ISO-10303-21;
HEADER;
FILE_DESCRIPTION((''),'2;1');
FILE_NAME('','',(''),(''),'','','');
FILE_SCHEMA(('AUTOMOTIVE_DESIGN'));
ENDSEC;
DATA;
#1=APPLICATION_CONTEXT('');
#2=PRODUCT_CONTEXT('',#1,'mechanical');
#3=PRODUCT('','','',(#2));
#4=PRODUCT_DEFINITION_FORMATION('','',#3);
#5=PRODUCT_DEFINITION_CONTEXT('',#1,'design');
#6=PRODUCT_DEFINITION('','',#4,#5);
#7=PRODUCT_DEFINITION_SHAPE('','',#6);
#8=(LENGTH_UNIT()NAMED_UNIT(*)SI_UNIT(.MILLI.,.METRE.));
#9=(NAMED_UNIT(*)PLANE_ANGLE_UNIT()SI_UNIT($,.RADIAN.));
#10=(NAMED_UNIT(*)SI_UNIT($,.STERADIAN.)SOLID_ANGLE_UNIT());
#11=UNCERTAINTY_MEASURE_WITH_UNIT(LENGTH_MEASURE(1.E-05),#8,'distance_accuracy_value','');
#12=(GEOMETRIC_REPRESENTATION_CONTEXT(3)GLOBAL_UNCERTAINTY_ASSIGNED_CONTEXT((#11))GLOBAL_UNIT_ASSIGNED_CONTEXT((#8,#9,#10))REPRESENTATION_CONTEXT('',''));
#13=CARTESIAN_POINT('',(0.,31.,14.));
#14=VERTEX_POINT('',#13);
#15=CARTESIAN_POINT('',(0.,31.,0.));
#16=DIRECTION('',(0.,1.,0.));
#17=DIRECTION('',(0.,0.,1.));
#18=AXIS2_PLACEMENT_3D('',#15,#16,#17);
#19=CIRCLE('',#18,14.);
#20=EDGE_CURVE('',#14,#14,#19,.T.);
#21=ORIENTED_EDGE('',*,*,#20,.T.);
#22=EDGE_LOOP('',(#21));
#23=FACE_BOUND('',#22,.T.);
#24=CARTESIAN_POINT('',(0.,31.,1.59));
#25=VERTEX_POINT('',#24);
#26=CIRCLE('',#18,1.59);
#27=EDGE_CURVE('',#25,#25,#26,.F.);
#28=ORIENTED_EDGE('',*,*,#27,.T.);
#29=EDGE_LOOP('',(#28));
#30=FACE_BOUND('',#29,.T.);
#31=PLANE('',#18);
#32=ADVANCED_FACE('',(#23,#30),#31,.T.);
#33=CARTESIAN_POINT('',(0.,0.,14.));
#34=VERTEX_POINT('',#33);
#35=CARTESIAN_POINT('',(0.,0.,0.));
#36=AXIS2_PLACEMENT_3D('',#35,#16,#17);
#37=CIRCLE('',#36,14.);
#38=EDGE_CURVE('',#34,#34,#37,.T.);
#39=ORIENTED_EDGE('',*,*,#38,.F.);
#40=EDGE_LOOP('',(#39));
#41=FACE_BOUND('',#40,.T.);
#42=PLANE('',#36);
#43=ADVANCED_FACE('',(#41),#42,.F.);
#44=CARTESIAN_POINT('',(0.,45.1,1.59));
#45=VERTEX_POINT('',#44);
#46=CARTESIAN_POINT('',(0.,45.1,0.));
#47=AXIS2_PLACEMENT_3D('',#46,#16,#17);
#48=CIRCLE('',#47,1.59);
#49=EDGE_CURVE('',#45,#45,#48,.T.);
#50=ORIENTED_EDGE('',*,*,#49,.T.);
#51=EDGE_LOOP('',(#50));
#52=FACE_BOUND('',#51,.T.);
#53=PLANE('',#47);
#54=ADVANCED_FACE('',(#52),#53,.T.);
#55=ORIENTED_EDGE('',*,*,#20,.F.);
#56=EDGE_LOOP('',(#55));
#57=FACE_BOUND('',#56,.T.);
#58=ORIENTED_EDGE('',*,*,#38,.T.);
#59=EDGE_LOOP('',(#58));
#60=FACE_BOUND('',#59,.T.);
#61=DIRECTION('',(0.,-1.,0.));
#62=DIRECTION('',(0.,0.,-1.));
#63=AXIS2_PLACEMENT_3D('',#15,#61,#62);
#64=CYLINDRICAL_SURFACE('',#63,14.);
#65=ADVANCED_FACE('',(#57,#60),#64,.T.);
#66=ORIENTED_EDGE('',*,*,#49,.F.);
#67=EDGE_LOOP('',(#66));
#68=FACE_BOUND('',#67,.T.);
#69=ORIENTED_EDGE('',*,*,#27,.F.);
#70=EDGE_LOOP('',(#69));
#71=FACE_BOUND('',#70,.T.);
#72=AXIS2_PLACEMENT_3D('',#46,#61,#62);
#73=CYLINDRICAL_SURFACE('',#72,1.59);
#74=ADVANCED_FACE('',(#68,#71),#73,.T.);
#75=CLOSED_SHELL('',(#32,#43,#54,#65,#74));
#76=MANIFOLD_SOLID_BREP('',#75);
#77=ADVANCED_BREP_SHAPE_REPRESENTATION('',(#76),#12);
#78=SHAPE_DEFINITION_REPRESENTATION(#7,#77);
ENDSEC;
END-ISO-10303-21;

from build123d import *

# Parameters (mm, degrees)
SKETCH1_R           = 14
BOSS_EXTRUDE1_DEPTH = 31
BOSS_EXTRUDE2_START = -31
SKETCH2_R           = 1.59
BOSS_EXTRUDE2_DEPTH = 45.1


with BuildPart() as part:
    # Sketch1 → Boss-Extrude1 (new body)
    with BuildSketch(Plane(origin=(0, 0, 0), x_dir=(1, 0, 0), z_dir=(0, 1, 0))):
        Circle(SKETCH1_R)
    extrude(amount=BOSS_EXTRUDE1_DEPTH)

    # Sketch2 → Boss-Extrude2 (add)
    with BuildSketch(Plane(origin=(0, 31, 0), x_dir=(1, 0, 0), z_dir=(0, 1, 0)).offset(BOSS_EXTRUDE2_START)):
        Circle(SKETCH2_R)
    extrude(amount=BOSS_EXTRUDE2_DEPTH)


solid = part.part
